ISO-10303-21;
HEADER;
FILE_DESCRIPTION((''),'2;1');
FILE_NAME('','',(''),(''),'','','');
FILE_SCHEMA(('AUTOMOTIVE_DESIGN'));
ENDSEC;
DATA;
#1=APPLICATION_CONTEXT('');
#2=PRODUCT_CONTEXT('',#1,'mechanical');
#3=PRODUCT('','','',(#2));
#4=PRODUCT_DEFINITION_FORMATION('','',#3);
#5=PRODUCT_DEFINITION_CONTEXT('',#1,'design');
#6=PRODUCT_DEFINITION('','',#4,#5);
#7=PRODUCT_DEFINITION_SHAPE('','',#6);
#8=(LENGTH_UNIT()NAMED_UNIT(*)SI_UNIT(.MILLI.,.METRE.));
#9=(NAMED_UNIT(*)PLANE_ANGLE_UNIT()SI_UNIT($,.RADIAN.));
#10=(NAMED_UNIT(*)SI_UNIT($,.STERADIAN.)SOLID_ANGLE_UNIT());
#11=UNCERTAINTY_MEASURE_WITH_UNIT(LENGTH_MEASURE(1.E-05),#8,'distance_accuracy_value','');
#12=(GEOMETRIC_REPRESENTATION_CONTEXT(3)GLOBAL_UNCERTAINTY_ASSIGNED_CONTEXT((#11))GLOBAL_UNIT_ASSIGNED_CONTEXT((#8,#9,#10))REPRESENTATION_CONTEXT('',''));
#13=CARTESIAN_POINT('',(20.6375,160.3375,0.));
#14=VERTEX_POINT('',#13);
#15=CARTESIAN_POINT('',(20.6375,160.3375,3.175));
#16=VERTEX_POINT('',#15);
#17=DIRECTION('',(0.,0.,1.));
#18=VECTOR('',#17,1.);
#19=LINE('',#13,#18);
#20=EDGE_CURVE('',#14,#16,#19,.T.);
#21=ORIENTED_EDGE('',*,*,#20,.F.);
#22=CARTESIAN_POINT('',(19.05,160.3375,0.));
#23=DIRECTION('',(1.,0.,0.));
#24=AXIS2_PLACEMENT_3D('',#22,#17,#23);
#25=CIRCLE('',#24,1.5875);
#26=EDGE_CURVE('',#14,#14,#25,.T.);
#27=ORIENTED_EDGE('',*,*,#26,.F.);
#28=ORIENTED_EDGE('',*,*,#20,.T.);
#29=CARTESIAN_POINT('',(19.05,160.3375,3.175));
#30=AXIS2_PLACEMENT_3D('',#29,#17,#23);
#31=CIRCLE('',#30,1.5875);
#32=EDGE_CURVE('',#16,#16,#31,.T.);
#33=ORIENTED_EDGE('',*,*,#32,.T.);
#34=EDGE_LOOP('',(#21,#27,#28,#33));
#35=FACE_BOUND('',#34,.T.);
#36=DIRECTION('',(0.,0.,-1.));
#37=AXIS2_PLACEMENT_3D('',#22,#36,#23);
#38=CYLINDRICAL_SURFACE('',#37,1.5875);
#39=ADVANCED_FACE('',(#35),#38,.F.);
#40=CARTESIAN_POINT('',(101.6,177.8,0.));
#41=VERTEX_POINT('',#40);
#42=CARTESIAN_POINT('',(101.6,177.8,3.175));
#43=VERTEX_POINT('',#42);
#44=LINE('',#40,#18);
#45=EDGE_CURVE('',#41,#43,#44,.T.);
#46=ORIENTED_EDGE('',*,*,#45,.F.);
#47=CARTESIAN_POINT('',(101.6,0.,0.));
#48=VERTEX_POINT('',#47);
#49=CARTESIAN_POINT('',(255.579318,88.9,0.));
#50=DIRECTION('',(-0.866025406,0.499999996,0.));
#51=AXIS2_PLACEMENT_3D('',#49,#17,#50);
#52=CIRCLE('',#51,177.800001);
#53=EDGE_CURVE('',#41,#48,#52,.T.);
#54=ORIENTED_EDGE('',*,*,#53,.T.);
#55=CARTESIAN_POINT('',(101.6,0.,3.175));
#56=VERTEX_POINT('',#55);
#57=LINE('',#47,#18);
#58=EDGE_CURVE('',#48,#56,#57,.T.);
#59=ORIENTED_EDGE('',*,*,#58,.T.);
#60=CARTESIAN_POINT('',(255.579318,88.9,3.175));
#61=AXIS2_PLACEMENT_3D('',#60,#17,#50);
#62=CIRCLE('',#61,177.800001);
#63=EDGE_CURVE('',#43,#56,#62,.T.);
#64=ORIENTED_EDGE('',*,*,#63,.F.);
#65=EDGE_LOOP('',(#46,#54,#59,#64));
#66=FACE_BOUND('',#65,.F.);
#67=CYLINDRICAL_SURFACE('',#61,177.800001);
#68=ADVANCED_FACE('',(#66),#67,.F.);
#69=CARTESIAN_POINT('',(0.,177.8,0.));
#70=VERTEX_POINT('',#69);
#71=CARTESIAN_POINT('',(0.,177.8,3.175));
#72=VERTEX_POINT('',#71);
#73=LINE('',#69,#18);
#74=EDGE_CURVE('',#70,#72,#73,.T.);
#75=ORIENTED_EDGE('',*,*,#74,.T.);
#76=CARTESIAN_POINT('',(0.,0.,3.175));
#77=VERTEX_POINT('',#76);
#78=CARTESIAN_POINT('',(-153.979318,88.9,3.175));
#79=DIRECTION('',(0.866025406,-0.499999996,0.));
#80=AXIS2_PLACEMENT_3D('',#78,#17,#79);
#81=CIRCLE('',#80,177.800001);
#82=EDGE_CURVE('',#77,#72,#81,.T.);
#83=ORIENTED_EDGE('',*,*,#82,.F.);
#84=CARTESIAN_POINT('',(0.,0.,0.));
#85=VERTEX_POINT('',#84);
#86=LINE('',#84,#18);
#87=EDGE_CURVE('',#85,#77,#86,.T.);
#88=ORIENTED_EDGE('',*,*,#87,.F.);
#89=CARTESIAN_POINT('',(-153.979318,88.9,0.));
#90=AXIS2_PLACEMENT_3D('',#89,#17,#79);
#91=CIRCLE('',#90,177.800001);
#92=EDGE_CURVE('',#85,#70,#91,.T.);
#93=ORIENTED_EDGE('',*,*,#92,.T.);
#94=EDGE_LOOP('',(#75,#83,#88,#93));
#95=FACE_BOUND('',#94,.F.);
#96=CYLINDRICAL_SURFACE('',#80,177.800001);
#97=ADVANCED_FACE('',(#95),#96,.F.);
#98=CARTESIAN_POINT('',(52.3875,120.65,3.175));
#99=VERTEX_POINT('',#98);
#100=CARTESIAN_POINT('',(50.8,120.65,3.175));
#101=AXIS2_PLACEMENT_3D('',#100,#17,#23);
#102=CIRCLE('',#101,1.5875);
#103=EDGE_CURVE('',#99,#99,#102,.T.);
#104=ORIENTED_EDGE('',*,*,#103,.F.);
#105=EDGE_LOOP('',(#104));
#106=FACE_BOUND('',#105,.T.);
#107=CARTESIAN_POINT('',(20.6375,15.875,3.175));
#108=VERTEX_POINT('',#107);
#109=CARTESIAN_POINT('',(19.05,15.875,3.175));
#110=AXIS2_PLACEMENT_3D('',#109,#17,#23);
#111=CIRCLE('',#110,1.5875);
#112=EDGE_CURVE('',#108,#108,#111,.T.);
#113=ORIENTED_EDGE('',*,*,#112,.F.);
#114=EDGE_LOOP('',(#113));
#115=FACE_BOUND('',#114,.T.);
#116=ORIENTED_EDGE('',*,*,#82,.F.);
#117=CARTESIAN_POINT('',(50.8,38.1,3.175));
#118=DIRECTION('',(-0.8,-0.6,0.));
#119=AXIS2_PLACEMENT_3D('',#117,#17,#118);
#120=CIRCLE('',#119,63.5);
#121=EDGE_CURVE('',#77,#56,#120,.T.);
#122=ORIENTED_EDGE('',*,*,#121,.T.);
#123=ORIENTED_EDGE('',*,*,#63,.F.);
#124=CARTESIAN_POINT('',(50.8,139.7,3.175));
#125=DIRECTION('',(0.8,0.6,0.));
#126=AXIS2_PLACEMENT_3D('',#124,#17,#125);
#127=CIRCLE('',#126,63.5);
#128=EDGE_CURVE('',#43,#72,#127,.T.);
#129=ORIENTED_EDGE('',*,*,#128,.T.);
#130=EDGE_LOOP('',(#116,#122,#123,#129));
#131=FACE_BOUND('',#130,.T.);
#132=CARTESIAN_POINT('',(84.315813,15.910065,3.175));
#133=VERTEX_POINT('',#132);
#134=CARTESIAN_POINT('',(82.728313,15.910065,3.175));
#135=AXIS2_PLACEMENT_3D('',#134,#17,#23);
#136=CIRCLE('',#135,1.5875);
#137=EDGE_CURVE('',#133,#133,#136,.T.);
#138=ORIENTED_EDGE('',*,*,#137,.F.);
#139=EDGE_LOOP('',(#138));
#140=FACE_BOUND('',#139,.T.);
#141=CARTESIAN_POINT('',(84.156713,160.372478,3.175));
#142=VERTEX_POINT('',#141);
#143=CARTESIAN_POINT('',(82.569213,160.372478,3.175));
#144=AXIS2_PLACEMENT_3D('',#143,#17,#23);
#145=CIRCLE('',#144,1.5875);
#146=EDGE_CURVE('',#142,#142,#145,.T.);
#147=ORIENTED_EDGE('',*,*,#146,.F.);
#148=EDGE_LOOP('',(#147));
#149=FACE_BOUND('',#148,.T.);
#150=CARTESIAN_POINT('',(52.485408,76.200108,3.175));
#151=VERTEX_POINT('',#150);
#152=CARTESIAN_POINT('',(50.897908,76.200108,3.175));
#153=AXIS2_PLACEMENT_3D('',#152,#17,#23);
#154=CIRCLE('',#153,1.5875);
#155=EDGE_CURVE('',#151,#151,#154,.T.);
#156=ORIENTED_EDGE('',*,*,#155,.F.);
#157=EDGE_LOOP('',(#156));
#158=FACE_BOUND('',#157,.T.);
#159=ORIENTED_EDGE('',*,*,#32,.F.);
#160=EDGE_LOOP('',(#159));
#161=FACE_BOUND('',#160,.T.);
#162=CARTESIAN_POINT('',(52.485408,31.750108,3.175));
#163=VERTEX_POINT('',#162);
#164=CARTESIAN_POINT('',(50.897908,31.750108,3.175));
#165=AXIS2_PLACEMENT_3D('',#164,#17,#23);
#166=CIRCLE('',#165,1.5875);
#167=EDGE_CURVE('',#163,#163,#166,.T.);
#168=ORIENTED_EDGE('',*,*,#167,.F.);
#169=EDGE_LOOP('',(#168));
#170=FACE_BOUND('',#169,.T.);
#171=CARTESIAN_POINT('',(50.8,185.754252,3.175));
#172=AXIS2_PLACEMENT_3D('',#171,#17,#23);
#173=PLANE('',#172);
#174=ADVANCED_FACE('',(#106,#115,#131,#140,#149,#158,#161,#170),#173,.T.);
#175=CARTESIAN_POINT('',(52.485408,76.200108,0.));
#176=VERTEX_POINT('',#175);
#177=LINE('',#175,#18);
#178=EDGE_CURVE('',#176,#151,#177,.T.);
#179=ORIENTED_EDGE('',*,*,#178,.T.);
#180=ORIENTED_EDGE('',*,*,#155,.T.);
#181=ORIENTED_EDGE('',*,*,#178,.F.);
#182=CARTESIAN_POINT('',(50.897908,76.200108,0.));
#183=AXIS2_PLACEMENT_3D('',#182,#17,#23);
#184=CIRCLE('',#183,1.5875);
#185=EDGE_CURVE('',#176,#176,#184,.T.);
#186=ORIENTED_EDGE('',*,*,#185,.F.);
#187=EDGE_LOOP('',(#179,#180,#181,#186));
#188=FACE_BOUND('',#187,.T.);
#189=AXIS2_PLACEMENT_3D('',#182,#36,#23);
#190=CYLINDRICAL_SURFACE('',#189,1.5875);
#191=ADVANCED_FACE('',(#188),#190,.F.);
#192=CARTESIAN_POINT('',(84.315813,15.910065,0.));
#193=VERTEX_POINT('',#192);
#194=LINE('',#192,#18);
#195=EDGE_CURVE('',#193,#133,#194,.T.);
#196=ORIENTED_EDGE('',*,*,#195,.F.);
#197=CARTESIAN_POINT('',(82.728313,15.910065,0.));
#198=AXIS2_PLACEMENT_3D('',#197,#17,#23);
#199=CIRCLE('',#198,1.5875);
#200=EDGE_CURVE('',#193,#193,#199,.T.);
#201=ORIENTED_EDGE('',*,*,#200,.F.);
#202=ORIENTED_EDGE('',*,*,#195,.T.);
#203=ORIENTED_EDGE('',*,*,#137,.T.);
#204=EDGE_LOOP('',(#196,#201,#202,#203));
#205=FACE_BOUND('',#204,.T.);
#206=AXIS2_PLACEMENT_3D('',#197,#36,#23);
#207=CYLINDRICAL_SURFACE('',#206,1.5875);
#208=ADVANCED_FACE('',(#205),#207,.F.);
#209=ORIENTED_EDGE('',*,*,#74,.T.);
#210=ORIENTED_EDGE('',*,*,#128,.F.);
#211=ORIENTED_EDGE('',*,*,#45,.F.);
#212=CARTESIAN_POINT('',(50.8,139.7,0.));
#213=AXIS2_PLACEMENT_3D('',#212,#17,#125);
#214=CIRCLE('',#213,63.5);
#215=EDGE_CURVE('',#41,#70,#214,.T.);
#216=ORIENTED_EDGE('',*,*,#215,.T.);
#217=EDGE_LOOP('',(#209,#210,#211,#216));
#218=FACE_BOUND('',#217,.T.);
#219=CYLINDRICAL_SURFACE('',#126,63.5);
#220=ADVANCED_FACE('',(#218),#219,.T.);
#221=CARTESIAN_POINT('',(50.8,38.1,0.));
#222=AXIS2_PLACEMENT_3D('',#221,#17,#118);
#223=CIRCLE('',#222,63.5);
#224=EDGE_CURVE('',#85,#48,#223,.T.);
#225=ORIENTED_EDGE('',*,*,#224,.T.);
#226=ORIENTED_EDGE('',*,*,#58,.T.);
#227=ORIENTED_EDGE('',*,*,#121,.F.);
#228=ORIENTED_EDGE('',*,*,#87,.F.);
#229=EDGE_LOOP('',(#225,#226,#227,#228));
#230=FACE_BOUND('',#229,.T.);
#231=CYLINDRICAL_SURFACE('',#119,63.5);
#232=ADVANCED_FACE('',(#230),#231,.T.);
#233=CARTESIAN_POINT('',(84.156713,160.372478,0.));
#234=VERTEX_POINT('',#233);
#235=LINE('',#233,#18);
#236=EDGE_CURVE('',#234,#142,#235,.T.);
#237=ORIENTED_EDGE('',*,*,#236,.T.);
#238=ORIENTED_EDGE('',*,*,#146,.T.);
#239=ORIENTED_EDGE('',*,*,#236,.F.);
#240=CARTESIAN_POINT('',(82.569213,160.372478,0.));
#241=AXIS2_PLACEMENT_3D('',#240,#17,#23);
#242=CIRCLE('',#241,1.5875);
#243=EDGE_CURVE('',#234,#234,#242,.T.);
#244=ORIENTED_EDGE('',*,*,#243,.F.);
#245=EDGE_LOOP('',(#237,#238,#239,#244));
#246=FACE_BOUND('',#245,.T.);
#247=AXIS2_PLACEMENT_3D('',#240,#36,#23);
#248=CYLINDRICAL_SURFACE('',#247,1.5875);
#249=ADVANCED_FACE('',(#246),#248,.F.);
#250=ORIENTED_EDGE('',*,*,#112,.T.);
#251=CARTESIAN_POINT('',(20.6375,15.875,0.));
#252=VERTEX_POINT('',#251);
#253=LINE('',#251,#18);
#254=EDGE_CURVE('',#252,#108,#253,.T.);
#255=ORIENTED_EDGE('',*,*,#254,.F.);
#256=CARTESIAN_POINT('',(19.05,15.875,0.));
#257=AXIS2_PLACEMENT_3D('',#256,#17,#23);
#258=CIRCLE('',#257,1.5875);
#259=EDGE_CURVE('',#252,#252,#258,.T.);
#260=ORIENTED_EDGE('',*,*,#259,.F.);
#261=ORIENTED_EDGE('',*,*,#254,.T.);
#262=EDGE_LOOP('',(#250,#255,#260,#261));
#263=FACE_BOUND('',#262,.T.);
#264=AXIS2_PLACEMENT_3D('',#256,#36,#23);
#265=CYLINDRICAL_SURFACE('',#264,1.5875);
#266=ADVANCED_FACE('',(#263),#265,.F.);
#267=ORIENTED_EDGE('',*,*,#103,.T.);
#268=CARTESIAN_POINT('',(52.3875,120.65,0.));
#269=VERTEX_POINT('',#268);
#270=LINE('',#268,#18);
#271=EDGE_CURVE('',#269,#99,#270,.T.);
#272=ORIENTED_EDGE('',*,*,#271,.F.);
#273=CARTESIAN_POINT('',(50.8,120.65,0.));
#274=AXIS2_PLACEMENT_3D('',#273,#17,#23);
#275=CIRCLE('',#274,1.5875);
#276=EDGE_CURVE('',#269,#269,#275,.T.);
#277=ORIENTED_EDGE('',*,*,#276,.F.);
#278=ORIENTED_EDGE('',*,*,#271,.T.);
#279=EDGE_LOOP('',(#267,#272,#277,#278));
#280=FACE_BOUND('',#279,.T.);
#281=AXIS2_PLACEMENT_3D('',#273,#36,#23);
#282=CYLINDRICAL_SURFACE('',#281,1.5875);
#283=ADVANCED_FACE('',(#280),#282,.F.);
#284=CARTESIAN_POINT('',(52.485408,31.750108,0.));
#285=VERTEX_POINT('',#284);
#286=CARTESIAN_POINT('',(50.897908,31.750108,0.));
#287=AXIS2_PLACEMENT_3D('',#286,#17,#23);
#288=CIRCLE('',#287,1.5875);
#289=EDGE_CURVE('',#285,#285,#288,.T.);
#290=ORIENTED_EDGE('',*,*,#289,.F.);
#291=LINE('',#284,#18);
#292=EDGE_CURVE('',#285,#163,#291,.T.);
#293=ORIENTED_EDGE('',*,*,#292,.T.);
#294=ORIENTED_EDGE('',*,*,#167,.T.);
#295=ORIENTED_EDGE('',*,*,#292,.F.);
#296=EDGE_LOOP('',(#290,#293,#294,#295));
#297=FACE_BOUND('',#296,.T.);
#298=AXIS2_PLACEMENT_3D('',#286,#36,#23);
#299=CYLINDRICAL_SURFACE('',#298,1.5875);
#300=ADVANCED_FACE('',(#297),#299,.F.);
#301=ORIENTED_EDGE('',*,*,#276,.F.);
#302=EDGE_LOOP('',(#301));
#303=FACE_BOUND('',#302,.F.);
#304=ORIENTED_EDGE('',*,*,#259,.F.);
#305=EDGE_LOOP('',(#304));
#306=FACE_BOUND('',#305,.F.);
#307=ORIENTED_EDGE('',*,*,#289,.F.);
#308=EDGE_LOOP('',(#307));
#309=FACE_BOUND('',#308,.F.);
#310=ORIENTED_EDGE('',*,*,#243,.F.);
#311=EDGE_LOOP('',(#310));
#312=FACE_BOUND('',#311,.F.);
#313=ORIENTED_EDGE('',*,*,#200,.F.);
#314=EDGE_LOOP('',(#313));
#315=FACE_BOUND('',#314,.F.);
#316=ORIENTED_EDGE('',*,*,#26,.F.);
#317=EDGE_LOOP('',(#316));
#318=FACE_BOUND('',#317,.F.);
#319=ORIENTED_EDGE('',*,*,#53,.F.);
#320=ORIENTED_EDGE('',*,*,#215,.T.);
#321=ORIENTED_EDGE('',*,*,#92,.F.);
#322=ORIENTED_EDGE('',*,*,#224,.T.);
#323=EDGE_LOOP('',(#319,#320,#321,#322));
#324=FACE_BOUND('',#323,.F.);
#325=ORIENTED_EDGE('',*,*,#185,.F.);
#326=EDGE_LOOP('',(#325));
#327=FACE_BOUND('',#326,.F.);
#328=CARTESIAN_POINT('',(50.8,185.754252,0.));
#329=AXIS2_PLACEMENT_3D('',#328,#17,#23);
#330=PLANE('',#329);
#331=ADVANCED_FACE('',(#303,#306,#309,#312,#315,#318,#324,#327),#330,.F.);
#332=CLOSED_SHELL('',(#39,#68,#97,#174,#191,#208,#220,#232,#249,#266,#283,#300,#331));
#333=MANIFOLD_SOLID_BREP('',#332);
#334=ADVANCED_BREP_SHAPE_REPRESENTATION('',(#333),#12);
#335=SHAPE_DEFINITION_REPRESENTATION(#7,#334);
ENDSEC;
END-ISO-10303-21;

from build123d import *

# Parameters (mm, degrees)
F0_W     = 101.6
F0_H     = 177.8
F0_R     = 1.5875
F1_DEPTH = 3.175
F3_DEPTH = 25.4
F5_DEPTH = 3.175


with BuildPart() as f1:
    # F0 (on Top) → F1 (new body)
    with BuildSketch(Plane.XY):
        with Locations((50.8, 88.9)):
            Rectangle(F0_W, F0_H)
        with Locations((19.05, 15.875)):
            Circle(F0_R, mode=Mode.SUBTRACT)
        with Locations((50.897908, 31.750108)):
            Circle(F0_R, mode=Mode.SUBTRACT)
        with Locations((82.728313, 15.910065)):
            Circle(F0_R, mode=Mode.SUBTRACT)
        with Locations((50.897908, 76.200108)):
            Circle(F0_R, mode=Mode.SUBTRACT)
        with Locations((50.8, 120.65)):
            Circle(F0_R, mode=Mode.SUBTRACT)
        with Locations((19.05, 160.3375)):
            Circle(F0_R, mode=Mode.SUBTRACT)
        with Locations((82.569213, 160.372478)):
            Circle(F0_R, mode=Mode.SUBTRACT)
    extrude(amount=F1_DEPTH)

    # F2 (on face) → F3 (cut)
    with BuildSketch(Plane.XY.offset(3.175)):
        with BuildLine():
            Line((101.6, 0), (101.6, 177.8))
            ThreePointArc((101.6, 177.8), (77.779317, 88.9), (101.6, 0))
        make_face()
        with BuildLine():
            ThreePointArc((0, 0), (23.820683, 88.9), (0, 177.8))
            Line((0, 177.8), (0, 0))
        make_face()
    extrude(amount=-F3_DEPTH, mode=Mode.SUBTRACT)

    # F4 (on face) → F5 (join, through all)
    with BuildSketch(Plane.XY.offset(3.175)):
        with BuildLine():
            Line((0, 177.8), (101.6, 177.8))
            ThreePointArc((101.6, 177.8), (50.8, 203.2), (0, 177.8))
        make_face()
        with BuildLine():
            ThreePointArc((0, 0), (50.8, -25.4), (101.6, 0))
            Line((101.6, 0), (0, 0))
        make_face()
    extrude(amount=-F5_DEPTH)


solid = f1.part
